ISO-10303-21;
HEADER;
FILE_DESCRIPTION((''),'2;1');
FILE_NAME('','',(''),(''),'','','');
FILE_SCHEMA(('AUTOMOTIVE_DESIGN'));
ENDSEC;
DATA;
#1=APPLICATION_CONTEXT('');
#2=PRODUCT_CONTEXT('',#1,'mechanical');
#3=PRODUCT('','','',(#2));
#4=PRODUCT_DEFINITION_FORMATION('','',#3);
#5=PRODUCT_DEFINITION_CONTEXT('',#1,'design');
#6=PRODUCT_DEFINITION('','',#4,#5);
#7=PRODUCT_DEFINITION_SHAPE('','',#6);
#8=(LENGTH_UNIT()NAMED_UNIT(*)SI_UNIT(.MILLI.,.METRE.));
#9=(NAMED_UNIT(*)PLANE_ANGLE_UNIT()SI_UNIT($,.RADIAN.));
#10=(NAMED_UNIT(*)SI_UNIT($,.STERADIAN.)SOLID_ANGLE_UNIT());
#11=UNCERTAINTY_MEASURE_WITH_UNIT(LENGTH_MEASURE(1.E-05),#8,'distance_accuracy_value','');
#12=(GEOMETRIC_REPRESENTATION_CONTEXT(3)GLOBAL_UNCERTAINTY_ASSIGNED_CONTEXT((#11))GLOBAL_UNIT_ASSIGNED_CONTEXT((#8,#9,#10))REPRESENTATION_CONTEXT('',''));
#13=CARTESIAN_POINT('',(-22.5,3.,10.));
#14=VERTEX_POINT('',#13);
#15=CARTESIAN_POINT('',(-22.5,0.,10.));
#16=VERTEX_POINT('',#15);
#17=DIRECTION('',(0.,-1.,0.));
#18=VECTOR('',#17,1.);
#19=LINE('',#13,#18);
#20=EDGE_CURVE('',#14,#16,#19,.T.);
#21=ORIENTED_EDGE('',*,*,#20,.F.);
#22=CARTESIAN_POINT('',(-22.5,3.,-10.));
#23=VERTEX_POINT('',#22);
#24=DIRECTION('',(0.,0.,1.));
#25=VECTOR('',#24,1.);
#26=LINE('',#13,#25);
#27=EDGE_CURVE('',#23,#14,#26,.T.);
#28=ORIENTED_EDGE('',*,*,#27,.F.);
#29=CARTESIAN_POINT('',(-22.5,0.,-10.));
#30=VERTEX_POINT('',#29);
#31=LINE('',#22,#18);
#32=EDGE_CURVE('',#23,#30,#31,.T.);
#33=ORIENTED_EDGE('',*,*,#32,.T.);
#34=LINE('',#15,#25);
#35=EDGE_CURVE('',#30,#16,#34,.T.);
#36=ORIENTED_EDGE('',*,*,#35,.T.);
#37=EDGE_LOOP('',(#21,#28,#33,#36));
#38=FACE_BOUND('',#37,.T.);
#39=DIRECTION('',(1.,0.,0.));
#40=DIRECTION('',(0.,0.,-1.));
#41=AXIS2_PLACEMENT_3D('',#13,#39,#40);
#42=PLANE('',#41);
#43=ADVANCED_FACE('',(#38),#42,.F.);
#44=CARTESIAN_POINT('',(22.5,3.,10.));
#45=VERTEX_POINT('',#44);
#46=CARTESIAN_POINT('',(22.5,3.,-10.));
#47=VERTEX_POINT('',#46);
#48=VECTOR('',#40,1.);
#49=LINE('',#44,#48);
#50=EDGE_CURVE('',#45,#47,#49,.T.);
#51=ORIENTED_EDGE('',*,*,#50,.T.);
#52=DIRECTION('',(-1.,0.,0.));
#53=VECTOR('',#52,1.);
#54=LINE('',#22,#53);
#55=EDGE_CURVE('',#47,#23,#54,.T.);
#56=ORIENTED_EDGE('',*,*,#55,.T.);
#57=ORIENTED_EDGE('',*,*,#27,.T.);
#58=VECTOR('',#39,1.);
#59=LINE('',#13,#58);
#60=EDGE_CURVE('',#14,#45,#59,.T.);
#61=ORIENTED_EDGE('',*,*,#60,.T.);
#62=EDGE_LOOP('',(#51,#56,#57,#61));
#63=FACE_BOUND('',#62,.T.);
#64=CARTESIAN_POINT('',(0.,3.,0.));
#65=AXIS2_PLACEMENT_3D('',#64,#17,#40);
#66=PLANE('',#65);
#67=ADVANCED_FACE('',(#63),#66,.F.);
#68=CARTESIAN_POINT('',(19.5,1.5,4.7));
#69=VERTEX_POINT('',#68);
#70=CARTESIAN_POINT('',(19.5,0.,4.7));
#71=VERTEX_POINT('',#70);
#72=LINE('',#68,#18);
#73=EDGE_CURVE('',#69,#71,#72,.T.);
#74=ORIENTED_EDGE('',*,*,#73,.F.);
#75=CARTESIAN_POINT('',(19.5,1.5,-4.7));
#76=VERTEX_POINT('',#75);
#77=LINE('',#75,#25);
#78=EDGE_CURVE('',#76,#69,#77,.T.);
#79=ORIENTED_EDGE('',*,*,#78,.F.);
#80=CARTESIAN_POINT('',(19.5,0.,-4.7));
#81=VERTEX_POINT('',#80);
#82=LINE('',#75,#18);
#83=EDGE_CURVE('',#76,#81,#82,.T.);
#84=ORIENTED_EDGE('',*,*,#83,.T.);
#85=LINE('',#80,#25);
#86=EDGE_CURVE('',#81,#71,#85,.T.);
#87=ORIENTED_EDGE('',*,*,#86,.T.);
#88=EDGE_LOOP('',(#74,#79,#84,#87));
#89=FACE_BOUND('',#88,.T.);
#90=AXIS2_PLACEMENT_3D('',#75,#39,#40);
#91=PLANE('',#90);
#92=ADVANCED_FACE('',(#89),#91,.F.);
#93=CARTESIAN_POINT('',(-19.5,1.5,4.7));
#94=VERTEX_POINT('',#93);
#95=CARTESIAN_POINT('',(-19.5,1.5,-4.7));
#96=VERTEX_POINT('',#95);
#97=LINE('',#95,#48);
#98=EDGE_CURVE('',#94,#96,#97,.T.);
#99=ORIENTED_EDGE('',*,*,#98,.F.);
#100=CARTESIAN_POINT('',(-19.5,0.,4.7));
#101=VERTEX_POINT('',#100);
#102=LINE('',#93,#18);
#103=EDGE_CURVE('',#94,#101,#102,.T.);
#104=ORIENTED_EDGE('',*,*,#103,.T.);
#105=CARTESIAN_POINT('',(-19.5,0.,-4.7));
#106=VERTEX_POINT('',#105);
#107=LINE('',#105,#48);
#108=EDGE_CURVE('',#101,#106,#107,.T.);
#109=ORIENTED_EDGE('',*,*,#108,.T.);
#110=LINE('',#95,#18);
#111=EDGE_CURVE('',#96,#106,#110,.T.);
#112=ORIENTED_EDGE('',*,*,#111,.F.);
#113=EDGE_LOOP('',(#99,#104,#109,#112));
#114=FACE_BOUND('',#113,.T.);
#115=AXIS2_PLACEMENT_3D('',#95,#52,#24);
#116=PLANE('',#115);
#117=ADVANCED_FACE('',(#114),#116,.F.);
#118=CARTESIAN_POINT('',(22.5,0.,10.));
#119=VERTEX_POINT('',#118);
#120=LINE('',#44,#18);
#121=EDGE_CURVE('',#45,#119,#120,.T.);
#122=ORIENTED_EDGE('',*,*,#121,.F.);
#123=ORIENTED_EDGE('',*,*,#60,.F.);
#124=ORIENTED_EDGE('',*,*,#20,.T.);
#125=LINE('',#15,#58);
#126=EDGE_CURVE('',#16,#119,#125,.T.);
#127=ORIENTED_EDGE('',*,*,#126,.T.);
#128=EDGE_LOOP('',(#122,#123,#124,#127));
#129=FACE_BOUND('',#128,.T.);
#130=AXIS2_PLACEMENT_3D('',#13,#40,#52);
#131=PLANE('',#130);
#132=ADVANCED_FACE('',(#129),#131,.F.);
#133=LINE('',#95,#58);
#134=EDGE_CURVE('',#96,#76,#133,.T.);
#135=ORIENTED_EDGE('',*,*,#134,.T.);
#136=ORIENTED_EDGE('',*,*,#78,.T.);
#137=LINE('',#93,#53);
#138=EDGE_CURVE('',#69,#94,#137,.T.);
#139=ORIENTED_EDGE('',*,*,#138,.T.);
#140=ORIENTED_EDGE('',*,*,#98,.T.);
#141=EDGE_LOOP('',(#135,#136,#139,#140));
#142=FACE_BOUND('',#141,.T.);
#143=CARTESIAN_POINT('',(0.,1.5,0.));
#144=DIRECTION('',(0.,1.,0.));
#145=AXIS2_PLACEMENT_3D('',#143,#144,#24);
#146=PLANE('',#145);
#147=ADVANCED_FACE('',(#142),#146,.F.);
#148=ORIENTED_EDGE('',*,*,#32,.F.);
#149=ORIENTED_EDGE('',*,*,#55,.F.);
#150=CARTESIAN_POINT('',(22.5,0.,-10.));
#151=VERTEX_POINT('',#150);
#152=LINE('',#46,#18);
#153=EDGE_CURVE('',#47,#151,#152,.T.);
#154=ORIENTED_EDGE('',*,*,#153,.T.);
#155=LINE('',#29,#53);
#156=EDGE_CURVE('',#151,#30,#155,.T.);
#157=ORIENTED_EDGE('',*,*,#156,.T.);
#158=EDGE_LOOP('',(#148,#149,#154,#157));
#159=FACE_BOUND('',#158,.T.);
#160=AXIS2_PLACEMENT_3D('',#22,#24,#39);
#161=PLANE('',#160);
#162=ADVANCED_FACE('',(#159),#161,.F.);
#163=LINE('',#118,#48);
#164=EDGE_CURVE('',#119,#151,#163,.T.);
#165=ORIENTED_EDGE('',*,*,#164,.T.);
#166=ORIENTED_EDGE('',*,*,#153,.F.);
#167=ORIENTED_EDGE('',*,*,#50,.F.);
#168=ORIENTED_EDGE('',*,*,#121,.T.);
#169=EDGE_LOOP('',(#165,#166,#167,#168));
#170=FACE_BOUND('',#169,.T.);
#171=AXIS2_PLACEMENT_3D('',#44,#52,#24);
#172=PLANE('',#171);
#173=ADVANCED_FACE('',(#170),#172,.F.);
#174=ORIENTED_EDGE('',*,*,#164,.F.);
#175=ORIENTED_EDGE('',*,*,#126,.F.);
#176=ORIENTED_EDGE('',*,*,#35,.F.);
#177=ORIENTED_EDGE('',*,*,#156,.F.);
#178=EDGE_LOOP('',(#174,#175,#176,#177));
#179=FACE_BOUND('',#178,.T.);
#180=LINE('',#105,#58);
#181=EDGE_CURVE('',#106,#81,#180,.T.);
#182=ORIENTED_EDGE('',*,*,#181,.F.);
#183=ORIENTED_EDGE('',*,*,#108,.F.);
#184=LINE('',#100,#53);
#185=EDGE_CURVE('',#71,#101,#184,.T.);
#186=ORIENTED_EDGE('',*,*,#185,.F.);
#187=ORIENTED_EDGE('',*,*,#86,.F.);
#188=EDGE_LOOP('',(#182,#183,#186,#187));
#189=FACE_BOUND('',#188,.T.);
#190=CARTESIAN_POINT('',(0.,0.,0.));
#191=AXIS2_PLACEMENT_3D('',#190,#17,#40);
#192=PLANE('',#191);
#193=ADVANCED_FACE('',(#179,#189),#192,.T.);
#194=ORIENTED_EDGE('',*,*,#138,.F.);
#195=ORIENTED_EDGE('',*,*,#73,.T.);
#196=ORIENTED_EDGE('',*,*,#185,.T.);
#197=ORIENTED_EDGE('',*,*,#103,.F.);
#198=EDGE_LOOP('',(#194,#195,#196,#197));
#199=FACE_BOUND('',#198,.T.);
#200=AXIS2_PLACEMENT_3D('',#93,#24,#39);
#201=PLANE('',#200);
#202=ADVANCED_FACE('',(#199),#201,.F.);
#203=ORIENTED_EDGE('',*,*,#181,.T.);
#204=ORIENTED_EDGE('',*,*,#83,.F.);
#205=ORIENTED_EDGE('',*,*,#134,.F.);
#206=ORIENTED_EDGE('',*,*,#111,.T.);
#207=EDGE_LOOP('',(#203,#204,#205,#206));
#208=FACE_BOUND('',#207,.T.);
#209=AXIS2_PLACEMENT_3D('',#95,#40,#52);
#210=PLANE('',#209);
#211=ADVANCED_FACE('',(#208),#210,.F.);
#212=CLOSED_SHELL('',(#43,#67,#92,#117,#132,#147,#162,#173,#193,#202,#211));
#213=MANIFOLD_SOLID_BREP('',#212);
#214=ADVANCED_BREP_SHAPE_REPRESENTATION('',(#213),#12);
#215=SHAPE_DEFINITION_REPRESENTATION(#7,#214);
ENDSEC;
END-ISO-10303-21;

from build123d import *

# Parameters (mm, degrees)
SKETCH1_W           = 45
SKETCH1_H           = 20
BOSS_EXTRUDE1_DEPTH = 3
SKETCH2_W           = 39
SKETCH2_H           = 9.4
CUT_EXTRUDE1_DEPTH  = 1.5


with BuildPart() as part:
    # Sketch1 → Boss-Extrude1 (new body)
    with BuildSketch(Plane(origin=(0, 0, 0), x_dir=(1, 0, 0), z_dir=(0, 1, 0))):
        Rectangle(SKETCH1_W, SKETCH1_H)
    extrude(amount=BOSS_EXTRUDE1_DEPTH)

    # Sketch2 → Cut-Extrude1 (cut)
    with BuildSketch(Plane.XZ):
        Rectangle(SKETCH2_W, SKETCH2_H)
    extrude(amount=-CUT_EXTRUDE1_DEPTH, mode=Mode.SUBTRACT)


solid = part.part
